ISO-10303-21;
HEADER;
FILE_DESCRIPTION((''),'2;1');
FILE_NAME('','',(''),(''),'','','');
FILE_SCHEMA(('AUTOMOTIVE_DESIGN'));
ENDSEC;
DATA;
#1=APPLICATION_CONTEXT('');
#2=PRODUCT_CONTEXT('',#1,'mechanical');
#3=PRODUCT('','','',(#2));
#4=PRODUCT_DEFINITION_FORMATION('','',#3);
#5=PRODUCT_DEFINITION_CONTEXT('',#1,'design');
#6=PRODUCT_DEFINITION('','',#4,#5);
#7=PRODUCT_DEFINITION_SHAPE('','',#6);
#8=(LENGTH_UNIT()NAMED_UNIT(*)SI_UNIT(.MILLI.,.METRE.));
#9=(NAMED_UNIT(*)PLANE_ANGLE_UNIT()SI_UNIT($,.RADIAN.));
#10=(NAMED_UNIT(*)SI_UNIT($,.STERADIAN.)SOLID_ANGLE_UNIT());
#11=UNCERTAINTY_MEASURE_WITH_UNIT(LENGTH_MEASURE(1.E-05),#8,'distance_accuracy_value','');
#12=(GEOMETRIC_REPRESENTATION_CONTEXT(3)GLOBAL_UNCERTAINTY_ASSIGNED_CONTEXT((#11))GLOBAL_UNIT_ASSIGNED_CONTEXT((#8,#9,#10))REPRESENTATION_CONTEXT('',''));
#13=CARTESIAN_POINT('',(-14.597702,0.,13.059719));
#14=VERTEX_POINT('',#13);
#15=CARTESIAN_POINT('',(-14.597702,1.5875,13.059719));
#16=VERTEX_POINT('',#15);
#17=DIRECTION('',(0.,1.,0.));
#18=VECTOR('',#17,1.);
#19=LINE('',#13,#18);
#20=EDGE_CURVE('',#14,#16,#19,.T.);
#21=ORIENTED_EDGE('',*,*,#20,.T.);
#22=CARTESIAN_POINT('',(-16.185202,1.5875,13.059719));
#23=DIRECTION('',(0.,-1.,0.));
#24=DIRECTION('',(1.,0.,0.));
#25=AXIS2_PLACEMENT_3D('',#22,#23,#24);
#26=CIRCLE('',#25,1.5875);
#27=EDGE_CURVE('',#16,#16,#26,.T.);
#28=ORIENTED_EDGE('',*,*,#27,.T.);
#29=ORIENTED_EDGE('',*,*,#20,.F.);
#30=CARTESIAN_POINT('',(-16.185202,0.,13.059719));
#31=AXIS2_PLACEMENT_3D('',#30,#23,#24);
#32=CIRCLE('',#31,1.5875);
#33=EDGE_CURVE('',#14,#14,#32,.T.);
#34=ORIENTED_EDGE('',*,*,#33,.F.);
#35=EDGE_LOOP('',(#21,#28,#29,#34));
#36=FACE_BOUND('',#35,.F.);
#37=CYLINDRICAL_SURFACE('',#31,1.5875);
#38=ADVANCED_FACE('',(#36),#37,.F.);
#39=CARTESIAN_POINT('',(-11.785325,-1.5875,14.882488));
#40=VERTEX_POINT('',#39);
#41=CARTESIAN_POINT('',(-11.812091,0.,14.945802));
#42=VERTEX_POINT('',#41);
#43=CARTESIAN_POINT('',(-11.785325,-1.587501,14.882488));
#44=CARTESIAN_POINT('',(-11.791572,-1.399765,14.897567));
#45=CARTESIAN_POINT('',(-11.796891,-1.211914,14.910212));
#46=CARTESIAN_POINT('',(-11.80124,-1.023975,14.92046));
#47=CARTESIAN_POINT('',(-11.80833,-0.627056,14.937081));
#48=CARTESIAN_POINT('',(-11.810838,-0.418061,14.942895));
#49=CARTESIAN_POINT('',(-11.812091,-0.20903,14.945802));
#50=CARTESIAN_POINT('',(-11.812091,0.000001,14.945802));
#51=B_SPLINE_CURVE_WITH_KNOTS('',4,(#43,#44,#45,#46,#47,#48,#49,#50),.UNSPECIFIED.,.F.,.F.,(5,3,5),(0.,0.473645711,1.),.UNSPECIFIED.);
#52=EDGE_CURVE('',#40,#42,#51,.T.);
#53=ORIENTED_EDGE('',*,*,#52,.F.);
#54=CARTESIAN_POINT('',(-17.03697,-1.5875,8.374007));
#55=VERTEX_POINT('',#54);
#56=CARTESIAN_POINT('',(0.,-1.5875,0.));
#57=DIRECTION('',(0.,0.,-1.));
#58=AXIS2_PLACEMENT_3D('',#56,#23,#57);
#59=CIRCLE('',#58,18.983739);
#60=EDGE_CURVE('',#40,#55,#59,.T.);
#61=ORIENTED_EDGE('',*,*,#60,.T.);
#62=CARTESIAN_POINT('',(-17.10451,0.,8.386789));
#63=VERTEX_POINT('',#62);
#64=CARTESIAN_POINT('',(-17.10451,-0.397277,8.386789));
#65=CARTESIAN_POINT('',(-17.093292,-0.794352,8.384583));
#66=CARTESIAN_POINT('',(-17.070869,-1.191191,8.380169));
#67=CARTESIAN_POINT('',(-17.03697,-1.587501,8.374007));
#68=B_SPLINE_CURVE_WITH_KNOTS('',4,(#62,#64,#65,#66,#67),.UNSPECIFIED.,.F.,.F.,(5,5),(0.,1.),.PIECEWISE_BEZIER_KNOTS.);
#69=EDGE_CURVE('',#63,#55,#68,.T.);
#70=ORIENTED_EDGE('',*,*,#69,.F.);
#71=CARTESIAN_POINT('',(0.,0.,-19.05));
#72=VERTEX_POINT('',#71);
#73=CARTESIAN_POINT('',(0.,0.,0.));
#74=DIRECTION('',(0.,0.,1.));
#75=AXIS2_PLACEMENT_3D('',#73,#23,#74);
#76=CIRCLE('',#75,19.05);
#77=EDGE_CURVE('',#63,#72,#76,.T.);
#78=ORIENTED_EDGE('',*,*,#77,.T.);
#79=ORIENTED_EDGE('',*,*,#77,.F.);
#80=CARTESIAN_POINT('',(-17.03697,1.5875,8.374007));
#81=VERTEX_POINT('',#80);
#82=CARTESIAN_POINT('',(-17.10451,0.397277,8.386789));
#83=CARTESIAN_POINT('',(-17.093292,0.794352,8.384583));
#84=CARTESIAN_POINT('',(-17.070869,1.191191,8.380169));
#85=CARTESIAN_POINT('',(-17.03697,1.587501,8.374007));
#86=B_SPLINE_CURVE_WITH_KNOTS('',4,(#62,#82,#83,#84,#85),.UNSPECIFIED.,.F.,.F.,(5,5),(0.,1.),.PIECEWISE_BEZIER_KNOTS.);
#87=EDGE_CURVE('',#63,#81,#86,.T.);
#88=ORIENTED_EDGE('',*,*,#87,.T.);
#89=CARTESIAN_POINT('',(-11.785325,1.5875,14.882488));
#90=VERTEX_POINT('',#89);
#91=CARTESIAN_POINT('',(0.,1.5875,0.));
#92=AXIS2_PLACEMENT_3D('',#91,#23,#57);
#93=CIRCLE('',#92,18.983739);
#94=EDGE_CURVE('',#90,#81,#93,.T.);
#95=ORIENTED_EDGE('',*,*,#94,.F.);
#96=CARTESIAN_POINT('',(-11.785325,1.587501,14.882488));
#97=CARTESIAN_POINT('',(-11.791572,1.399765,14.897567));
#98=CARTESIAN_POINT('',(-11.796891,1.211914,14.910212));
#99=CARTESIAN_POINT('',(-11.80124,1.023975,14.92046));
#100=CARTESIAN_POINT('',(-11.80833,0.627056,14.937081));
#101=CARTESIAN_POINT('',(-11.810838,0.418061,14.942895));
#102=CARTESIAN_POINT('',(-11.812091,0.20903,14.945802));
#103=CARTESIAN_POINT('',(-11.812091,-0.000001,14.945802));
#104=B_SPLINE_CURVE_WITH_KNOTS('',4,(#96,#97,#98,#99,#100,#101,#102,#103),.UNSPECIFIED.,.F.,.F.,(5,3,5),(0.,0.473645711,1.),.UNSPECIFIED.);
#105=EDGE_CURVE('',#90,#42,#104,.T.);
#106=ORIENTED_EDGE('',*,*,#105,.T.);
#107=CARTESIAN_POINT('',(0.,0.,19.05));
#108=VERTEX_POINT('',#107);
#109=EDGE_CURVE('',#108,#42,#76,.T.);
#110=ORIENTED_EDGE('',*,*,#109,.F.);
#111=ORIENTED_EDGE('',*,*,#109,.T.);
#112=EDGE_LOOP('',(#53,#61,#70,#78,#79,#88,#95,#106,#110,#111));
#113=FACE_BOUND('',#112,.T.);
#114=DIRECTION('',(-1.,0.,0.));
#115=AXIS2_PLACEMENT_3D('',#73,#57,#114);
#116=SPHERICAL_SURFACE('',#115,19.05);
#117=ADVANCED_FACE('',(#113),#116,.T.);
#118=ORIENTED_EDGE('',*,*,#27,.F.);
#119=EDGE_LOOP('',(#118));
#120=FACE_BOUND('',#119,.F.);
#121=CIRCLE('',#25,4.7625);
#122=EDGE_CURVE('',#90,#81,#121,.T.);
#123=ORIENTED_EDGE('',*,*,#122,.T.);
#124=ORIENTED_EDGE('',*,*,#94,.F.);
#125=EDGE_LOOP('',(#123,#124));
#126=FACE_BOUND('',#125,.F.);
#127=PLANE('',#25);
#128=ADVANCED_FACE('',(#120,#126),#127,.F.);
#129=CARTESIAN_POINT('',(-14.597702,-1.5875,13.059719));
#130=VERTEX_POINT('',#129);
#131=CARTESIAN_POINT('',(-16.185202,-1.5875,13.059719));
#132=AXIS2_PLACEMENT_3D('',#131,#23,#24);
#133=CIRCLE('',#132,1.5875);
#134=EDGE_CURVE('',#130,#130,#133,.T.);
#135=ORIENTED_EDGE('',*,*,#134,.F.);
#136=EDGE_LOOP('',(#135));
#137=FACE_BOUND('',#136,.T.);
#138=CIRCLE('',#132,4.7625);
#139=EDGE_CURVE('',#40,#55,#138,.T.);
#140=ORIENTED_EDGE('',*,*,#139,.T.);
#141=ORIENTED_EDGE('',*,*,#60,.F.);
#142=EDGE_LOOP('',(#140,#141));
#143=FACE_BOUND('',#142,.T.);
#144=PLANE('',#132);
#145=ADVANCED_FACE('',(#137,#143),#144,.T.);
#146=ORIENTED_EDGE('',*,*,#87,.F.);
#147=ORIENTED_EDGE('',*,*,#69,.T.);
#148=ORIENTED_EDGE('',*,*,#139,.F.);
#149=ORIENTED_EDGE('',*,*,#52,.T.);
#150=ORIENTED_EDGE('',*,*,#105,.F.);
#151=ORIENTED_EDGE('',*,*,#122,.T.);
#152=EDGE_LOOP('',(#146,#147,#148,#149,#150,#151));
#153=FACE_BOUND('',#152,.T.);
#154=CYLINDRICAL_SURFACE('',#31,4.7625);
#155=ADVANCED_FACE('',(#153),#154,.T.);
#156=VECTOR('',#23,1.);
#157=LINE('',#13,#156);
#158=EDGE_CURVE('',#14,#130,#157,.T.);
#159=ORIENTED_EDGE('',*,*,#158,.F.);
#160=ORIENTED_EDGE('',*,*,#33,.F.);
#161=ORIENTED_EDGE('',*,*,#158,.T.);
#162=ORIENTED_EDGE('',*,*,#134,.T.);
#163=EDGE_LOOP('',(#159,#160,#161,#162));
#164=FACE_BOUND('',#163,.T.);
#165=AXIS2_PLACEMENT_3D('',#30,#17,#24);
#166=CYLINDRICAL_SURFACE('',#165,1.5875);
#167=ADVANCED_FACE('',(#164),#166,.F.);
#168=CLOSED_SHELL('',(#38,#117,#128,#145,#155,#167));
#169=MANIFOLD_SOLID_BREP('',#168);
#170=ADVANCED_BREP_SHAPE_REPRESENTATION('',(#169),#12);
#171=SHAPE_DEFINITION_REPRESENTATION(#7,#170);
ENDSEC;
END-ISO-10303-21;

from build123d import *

# Parameters (mm, degrees)
F2_R          = 4.7625
F2_R_2        = 1.5875
F3_DEPTH      = 1.5875
F3_DEPTH_BACK = 1.5875


with BuildPart() as f1:
    # F0 (on Front) → F1 (revolve)
    with BuildSketch(Plane.XZ):
        with BuildLine():
            Line((0, -19.05), (0, 19.05))
            ThreePointArc((0, 19.05), (-19.05, 0), (0, -19.05))
        make_face()
    revolve(axis=Axis((0, 0, 0), (0, 0, -1)))

    # F2 (on Front) → F3 (join, two sides)
    with BuildSketch(Plane.XZ) as f3_sk:
        with Locations((-16.185202, 13.059719)):
            Circle(F2_R)
        with Locations((-16.185202, 13.059719)):
            Circle(F2_R_2, mode=Mode.SUBTRACT)
    extrude(amount=F3_DEPTH)
    extrude(f3_sk.sketch, amount=-F3_DEPTH_BACK)


solid = f1.part
